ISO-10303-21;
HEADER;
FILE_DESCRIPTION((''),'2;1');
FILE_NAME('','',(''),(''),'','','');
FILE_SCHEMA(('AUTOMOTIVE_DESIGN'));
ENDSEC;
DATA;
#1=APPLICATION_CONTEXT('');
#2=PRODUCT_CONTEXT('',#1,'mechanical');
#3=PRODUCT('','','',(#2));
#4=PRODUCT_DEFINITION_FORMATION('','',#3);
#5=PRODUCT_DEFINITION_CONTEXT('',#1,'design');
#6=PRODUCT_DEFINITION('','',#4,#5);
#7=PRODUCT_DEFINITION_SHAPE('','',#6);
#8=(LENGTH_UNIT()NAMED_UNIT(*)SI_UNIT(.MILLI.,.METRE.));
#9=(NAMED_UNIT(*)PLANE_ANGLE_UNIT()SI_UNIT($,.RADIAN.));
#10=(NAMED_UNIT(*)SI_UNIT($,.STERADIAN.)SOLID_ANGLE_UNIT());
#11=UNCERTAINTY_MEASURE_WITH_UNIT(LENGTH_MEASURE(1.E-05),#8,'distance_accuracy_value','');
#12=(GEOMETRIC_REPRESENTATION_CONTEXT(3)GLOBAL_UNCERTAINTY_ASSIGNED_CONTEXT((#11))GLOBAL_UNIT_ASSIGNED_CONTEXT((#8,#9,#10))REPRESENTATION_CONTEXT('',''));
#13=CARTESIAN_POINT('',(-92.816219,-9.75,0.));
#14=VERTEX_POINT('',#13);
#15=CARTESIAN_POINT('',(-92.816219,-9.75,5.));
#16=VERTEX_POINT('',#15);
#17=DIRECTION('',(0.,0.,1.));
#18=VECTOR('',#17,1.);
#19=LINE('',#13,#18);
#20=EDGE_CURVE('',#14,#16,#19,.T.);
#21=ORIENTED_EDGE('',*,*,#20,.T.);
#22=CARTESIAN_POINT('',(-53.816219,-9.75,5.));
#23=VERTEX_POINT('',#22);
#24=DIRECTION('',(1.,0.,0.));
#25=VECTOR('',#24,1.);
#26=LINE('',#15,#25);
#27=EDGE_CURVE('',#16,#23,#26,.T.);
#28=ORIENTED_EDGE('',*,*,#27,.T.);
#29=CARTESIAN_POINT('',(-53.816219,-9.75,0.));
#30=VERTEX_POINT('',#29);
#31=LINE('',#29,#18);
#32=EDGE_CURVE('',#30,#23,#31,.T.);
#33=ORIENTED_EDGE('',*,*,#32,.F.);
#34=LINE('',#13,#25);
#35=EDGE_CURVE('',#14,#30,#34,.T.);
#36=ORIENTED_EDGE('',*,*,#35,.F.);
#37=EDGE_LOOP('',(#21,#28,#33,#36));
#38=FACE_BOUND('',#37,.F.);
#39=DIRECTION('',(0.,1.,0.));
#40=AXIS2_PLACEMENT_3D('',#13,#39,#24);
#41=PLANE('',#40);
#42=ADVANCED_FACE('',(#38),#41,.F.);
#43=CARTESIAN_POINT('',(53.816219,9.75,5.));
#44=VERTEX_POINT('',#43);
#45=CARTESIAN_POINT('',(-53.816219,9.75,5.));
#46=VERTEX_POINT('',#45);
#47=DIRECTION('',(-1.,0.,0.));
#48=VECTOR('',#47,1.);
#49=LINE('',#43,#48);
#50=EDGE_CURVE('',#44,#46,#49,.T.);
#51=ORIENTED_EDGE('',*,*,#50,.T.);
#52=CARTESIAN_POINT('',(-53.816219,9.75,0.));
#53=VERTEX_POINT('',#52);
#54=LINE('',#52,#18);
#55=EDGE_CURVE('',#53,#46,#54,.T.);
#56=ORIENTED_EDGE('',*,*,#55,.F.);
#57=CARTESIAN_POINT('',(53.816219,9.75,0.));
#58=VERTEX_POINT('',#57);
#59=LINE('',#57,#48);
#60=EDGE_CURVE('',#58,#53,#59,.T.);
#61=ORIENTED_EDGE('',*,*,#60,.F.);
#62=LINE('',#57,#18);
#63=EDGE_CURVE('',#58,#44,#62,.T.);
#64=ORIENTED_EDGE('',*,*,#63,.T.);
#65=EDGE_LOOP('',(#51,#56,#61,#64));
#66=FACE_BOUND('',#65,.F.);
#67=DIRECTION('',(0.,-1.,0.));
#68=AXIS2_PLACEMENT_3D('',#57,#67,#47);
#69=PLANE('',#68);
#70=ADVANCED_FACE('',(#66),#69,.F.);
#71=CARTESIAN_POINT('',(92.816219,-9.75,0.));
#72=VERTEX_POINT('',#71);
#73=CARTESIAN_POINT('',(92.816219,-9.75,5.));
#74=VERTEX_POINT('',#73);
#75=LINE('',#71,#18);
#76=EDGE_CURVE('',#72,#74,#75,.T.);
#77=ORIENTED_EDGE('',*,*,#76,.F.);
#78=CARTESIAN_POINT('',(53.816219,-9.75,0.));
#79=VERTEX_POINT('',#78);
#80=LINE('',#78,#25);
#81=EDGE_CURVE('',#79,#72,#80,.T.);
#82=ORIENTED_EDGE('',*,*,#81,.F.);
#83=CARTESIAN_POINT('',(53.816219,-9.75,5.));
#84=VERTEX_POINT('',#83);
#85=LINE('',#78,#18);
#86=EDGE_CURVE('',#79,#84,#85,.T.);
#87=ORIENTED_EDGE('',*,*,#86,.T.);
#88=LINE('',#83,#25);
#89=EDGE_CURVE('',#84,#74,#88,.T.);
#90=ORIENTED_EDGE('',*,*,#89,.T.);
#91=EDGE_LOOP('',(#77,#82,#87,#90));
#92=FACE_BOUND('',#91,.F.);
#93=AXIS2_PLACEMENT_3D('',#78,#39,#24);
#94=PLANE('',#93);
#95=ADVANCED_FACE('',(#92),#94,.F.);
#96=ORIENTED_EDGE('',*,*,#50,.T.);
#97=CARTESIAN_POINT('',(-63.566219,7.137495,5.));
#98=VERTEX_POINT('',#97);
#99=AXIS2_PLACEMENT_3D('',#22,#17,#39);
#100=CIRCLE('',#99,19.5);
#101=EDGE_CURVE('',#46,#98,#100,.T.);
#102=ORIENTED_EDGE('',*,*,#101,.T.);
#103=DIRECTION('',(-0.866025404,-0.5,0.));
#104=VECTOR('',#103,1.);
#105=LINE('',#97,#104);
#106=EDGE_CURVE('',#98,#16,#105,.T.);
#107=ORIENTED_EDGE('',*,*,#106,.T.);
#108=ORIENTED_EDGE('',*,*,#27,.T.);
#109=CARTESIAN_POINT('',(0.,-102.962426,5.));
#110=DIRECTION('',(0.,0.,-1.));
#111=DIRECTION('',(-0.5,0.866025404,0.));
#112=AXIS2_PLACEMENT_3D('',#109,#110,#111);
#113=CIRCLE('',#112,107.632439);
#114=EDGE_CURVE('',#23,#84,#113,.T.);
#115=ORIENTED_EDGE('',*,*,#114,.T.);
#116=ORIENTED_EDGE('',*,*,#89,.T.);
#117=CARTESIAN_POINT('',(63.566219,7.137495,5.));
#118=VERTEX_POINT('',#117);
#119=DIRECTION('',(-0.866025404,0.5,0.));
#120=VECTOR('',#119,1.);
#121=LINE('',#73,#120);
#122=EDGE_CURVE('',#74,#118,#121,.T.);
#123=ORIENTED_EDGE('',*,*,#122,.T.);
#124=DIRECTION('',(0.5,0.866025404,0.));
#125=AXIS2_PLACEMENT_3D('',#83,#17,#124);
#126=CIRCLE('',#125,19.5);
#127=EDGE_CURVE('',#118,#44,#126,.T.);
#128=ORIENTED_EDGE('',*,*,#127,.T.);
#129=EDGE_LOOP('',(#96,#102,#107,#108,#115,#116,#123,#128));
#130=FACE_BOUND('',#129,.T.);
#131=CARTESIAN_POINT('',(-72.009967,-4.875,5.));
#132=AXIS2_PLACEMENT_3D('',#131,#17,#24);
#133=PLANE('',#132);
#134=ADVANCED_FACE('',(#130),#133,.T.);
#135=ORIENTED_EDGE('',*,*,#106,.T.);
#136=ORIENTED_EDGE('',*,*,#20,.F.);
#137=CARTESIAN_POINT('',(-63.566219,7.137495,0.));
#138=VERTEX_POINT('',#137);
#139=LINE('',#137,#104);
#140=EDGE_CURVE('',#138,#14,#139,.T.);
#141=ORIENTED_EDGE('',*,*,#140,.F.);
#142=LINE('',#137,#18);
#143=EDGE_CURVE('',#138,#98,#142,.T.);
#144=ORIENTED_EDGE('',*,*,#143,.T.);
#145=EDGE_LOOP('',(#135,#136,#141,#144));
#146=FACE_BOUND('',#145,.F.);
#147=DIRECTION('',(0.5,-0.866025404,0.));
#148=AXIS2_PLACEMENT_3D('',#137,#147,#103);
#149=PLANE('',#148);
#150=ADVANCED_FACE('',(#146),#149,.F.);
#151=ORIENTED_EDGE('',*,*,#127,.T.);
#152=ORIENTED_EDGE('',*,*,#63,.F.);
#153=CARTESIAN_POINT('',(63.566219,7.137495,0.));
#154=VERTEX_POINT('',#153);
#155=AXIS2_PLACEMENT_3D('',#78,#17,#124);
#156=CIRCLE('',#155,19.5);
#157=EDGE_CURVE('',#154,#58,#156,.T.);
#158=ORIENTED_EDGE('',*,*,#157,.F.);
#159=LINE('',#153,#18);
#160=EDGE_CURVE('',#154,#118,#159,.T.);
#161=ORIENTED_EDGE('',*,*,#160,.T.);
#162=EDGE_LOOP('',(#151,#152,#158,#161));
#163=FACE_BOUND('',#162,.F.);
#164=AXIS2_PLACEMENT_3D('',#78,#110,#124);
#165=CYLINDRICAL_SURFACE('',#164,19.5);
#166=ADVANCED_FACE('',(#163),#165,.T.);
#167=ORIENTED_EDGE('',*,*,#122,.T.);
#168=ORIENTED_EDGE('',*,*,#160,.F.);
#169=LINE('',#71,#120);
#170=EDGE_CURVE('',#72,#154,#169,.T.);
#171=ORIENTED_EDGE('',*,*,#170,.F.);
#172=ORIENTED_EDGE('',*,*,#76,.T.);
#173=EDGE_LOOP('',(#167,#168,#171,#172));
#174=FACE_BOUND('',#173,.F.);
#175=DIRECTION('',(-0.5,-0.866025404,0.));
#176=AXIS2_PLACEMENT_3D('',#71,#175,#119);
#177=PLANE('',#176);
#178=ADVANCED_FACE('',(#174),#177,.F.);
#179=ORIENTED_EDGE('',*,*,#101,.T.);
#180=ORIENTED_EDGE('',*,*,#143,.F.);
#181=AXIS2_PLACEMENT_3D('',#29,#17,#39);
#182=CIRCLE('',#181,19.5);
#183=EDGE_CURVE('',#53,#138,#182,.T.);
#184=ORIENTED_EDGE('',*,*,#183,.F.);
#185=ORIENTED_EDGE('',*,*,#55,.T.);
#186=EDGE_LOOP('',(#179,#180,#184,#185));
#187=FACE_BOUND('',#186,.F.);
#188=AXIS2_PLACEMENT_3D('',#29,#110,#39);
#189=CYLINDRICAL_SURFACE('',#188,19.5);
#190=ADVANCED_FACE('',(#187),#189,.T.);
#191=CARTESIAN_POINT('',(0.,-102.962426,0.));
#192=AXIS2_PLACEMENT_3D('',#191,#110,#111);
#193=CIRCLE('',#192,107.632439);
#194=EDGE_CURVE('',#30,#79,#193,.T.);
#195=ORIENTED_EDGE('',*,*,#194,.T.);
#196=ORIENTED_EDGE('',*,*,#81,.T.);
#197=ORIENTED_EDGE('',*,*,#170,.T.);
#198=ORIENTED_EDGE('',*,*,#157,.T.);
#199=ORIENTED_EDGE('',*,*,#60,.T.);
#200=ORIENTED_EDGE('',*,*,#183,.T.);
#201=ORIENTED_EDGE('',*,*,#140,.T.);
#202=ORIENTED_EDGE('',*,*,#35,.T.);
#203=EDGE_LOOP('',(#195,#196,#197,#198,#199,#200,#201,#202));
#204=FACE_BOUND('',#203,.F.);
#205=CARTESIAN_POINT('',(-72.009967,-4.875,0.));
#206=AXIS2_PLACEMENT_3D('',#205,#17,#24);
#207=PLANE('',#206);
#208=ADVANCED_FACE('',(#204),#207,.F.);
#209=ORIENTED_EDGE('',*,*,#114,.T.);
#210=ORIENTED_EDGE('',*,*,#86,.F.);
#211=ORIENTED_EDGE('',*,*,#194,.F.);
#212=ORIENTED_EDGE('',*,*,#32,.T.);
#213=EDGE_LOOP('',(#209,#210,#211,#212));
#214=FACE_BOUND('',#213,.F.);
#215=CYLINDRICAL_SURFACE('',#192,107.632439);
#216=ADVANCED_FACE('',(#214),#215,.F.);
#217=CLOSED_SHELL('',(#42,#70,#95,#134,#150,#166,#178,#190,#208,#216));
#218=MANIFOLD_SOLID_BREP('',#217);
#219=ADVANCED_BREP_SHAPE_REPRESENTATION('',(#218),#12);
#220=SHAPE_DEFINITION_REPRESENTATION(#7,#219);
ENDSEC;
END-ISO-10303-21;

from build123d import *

# Parameters (mm, degrees)
F1_DEPTH = 5


with BuildPart() as f1:
    # F0 (on Top) → F1 (new body)
    with BuildSketch(Plane.XY):
        Polygon((-92.8162193303, -9.75), (-53.8162193302, -9.75), (-63.5662193303, 7.1374953738), align=None)
        with BuildLine():
            Line((-63.5662193303, 7.1374953738), (-53.8162193303, -9.75))
            Line((-53.8162193303, -9.75), (-53.8162193303, 9.75))
            ThreePointArc((-53.8162193303, 9.75), (-58.8631907097, 9.0855536126), (-63.5662193303, 7.1374953738))
        make_face()
        with BuildLine():
            Line((-53.8162193303, 9.75), (-53.8162193303, -9.75))
            ThreePointArc((-53.8162193303, -9.75), (-53.3700027957, 0.0405892766), (-52.0350529909, 9.75))
            Line((-52.0350529909, 9.75), (-53.8162193303, 9.75))
        make_face()
        with BuildLine():
            ThreePointArc((-53.8162193302, -9.75), (0, 4.6700125092), (53.8162193302, -9.75))
            ThreePointArc((53.8162193303, -9.75), (53.3700027957, 0.0405892766), (52.0350529909, 9.75))
            Line((52.0350529909, 9.75), (-52.0350529909, 9.75))
            ThreePointArc((-52.0350529909, 9.75), (-53.3700027957, 0.0405892766), (-53.8162193303, -9.75))
        make_face()
        with BuildLine():
            ThreePointArc((52.0350529909, 9.75), (53.3700027957, 0.0405892766), (53.8162193303, -9.75))
            Line((53.8162193303, -9.75), (53.8162193303, 9.75))
            Line((53.8162193303, 9.75), (52.0350529909, 9.75))
        make_face()
        with BuildLine():
            Line((53.8162193303, 9.75), (53.8162193303, -9.75))
            Line((53.8162193303, -9.75), (63.5662193303, 7.1374953738))
            ThreePointArc((63.5662193303, 7.1374953738), (58.8631907097, 9.0855536126), (53.8162193303, 9.75))
        make_face()
        Polygon((63.5662193303, 7.1374953738), (53.8162193303, -9.75), (92.8162193303, -9.75), align=None)
    extrude(amount=F1_DEPTH)


solid = f1.part
